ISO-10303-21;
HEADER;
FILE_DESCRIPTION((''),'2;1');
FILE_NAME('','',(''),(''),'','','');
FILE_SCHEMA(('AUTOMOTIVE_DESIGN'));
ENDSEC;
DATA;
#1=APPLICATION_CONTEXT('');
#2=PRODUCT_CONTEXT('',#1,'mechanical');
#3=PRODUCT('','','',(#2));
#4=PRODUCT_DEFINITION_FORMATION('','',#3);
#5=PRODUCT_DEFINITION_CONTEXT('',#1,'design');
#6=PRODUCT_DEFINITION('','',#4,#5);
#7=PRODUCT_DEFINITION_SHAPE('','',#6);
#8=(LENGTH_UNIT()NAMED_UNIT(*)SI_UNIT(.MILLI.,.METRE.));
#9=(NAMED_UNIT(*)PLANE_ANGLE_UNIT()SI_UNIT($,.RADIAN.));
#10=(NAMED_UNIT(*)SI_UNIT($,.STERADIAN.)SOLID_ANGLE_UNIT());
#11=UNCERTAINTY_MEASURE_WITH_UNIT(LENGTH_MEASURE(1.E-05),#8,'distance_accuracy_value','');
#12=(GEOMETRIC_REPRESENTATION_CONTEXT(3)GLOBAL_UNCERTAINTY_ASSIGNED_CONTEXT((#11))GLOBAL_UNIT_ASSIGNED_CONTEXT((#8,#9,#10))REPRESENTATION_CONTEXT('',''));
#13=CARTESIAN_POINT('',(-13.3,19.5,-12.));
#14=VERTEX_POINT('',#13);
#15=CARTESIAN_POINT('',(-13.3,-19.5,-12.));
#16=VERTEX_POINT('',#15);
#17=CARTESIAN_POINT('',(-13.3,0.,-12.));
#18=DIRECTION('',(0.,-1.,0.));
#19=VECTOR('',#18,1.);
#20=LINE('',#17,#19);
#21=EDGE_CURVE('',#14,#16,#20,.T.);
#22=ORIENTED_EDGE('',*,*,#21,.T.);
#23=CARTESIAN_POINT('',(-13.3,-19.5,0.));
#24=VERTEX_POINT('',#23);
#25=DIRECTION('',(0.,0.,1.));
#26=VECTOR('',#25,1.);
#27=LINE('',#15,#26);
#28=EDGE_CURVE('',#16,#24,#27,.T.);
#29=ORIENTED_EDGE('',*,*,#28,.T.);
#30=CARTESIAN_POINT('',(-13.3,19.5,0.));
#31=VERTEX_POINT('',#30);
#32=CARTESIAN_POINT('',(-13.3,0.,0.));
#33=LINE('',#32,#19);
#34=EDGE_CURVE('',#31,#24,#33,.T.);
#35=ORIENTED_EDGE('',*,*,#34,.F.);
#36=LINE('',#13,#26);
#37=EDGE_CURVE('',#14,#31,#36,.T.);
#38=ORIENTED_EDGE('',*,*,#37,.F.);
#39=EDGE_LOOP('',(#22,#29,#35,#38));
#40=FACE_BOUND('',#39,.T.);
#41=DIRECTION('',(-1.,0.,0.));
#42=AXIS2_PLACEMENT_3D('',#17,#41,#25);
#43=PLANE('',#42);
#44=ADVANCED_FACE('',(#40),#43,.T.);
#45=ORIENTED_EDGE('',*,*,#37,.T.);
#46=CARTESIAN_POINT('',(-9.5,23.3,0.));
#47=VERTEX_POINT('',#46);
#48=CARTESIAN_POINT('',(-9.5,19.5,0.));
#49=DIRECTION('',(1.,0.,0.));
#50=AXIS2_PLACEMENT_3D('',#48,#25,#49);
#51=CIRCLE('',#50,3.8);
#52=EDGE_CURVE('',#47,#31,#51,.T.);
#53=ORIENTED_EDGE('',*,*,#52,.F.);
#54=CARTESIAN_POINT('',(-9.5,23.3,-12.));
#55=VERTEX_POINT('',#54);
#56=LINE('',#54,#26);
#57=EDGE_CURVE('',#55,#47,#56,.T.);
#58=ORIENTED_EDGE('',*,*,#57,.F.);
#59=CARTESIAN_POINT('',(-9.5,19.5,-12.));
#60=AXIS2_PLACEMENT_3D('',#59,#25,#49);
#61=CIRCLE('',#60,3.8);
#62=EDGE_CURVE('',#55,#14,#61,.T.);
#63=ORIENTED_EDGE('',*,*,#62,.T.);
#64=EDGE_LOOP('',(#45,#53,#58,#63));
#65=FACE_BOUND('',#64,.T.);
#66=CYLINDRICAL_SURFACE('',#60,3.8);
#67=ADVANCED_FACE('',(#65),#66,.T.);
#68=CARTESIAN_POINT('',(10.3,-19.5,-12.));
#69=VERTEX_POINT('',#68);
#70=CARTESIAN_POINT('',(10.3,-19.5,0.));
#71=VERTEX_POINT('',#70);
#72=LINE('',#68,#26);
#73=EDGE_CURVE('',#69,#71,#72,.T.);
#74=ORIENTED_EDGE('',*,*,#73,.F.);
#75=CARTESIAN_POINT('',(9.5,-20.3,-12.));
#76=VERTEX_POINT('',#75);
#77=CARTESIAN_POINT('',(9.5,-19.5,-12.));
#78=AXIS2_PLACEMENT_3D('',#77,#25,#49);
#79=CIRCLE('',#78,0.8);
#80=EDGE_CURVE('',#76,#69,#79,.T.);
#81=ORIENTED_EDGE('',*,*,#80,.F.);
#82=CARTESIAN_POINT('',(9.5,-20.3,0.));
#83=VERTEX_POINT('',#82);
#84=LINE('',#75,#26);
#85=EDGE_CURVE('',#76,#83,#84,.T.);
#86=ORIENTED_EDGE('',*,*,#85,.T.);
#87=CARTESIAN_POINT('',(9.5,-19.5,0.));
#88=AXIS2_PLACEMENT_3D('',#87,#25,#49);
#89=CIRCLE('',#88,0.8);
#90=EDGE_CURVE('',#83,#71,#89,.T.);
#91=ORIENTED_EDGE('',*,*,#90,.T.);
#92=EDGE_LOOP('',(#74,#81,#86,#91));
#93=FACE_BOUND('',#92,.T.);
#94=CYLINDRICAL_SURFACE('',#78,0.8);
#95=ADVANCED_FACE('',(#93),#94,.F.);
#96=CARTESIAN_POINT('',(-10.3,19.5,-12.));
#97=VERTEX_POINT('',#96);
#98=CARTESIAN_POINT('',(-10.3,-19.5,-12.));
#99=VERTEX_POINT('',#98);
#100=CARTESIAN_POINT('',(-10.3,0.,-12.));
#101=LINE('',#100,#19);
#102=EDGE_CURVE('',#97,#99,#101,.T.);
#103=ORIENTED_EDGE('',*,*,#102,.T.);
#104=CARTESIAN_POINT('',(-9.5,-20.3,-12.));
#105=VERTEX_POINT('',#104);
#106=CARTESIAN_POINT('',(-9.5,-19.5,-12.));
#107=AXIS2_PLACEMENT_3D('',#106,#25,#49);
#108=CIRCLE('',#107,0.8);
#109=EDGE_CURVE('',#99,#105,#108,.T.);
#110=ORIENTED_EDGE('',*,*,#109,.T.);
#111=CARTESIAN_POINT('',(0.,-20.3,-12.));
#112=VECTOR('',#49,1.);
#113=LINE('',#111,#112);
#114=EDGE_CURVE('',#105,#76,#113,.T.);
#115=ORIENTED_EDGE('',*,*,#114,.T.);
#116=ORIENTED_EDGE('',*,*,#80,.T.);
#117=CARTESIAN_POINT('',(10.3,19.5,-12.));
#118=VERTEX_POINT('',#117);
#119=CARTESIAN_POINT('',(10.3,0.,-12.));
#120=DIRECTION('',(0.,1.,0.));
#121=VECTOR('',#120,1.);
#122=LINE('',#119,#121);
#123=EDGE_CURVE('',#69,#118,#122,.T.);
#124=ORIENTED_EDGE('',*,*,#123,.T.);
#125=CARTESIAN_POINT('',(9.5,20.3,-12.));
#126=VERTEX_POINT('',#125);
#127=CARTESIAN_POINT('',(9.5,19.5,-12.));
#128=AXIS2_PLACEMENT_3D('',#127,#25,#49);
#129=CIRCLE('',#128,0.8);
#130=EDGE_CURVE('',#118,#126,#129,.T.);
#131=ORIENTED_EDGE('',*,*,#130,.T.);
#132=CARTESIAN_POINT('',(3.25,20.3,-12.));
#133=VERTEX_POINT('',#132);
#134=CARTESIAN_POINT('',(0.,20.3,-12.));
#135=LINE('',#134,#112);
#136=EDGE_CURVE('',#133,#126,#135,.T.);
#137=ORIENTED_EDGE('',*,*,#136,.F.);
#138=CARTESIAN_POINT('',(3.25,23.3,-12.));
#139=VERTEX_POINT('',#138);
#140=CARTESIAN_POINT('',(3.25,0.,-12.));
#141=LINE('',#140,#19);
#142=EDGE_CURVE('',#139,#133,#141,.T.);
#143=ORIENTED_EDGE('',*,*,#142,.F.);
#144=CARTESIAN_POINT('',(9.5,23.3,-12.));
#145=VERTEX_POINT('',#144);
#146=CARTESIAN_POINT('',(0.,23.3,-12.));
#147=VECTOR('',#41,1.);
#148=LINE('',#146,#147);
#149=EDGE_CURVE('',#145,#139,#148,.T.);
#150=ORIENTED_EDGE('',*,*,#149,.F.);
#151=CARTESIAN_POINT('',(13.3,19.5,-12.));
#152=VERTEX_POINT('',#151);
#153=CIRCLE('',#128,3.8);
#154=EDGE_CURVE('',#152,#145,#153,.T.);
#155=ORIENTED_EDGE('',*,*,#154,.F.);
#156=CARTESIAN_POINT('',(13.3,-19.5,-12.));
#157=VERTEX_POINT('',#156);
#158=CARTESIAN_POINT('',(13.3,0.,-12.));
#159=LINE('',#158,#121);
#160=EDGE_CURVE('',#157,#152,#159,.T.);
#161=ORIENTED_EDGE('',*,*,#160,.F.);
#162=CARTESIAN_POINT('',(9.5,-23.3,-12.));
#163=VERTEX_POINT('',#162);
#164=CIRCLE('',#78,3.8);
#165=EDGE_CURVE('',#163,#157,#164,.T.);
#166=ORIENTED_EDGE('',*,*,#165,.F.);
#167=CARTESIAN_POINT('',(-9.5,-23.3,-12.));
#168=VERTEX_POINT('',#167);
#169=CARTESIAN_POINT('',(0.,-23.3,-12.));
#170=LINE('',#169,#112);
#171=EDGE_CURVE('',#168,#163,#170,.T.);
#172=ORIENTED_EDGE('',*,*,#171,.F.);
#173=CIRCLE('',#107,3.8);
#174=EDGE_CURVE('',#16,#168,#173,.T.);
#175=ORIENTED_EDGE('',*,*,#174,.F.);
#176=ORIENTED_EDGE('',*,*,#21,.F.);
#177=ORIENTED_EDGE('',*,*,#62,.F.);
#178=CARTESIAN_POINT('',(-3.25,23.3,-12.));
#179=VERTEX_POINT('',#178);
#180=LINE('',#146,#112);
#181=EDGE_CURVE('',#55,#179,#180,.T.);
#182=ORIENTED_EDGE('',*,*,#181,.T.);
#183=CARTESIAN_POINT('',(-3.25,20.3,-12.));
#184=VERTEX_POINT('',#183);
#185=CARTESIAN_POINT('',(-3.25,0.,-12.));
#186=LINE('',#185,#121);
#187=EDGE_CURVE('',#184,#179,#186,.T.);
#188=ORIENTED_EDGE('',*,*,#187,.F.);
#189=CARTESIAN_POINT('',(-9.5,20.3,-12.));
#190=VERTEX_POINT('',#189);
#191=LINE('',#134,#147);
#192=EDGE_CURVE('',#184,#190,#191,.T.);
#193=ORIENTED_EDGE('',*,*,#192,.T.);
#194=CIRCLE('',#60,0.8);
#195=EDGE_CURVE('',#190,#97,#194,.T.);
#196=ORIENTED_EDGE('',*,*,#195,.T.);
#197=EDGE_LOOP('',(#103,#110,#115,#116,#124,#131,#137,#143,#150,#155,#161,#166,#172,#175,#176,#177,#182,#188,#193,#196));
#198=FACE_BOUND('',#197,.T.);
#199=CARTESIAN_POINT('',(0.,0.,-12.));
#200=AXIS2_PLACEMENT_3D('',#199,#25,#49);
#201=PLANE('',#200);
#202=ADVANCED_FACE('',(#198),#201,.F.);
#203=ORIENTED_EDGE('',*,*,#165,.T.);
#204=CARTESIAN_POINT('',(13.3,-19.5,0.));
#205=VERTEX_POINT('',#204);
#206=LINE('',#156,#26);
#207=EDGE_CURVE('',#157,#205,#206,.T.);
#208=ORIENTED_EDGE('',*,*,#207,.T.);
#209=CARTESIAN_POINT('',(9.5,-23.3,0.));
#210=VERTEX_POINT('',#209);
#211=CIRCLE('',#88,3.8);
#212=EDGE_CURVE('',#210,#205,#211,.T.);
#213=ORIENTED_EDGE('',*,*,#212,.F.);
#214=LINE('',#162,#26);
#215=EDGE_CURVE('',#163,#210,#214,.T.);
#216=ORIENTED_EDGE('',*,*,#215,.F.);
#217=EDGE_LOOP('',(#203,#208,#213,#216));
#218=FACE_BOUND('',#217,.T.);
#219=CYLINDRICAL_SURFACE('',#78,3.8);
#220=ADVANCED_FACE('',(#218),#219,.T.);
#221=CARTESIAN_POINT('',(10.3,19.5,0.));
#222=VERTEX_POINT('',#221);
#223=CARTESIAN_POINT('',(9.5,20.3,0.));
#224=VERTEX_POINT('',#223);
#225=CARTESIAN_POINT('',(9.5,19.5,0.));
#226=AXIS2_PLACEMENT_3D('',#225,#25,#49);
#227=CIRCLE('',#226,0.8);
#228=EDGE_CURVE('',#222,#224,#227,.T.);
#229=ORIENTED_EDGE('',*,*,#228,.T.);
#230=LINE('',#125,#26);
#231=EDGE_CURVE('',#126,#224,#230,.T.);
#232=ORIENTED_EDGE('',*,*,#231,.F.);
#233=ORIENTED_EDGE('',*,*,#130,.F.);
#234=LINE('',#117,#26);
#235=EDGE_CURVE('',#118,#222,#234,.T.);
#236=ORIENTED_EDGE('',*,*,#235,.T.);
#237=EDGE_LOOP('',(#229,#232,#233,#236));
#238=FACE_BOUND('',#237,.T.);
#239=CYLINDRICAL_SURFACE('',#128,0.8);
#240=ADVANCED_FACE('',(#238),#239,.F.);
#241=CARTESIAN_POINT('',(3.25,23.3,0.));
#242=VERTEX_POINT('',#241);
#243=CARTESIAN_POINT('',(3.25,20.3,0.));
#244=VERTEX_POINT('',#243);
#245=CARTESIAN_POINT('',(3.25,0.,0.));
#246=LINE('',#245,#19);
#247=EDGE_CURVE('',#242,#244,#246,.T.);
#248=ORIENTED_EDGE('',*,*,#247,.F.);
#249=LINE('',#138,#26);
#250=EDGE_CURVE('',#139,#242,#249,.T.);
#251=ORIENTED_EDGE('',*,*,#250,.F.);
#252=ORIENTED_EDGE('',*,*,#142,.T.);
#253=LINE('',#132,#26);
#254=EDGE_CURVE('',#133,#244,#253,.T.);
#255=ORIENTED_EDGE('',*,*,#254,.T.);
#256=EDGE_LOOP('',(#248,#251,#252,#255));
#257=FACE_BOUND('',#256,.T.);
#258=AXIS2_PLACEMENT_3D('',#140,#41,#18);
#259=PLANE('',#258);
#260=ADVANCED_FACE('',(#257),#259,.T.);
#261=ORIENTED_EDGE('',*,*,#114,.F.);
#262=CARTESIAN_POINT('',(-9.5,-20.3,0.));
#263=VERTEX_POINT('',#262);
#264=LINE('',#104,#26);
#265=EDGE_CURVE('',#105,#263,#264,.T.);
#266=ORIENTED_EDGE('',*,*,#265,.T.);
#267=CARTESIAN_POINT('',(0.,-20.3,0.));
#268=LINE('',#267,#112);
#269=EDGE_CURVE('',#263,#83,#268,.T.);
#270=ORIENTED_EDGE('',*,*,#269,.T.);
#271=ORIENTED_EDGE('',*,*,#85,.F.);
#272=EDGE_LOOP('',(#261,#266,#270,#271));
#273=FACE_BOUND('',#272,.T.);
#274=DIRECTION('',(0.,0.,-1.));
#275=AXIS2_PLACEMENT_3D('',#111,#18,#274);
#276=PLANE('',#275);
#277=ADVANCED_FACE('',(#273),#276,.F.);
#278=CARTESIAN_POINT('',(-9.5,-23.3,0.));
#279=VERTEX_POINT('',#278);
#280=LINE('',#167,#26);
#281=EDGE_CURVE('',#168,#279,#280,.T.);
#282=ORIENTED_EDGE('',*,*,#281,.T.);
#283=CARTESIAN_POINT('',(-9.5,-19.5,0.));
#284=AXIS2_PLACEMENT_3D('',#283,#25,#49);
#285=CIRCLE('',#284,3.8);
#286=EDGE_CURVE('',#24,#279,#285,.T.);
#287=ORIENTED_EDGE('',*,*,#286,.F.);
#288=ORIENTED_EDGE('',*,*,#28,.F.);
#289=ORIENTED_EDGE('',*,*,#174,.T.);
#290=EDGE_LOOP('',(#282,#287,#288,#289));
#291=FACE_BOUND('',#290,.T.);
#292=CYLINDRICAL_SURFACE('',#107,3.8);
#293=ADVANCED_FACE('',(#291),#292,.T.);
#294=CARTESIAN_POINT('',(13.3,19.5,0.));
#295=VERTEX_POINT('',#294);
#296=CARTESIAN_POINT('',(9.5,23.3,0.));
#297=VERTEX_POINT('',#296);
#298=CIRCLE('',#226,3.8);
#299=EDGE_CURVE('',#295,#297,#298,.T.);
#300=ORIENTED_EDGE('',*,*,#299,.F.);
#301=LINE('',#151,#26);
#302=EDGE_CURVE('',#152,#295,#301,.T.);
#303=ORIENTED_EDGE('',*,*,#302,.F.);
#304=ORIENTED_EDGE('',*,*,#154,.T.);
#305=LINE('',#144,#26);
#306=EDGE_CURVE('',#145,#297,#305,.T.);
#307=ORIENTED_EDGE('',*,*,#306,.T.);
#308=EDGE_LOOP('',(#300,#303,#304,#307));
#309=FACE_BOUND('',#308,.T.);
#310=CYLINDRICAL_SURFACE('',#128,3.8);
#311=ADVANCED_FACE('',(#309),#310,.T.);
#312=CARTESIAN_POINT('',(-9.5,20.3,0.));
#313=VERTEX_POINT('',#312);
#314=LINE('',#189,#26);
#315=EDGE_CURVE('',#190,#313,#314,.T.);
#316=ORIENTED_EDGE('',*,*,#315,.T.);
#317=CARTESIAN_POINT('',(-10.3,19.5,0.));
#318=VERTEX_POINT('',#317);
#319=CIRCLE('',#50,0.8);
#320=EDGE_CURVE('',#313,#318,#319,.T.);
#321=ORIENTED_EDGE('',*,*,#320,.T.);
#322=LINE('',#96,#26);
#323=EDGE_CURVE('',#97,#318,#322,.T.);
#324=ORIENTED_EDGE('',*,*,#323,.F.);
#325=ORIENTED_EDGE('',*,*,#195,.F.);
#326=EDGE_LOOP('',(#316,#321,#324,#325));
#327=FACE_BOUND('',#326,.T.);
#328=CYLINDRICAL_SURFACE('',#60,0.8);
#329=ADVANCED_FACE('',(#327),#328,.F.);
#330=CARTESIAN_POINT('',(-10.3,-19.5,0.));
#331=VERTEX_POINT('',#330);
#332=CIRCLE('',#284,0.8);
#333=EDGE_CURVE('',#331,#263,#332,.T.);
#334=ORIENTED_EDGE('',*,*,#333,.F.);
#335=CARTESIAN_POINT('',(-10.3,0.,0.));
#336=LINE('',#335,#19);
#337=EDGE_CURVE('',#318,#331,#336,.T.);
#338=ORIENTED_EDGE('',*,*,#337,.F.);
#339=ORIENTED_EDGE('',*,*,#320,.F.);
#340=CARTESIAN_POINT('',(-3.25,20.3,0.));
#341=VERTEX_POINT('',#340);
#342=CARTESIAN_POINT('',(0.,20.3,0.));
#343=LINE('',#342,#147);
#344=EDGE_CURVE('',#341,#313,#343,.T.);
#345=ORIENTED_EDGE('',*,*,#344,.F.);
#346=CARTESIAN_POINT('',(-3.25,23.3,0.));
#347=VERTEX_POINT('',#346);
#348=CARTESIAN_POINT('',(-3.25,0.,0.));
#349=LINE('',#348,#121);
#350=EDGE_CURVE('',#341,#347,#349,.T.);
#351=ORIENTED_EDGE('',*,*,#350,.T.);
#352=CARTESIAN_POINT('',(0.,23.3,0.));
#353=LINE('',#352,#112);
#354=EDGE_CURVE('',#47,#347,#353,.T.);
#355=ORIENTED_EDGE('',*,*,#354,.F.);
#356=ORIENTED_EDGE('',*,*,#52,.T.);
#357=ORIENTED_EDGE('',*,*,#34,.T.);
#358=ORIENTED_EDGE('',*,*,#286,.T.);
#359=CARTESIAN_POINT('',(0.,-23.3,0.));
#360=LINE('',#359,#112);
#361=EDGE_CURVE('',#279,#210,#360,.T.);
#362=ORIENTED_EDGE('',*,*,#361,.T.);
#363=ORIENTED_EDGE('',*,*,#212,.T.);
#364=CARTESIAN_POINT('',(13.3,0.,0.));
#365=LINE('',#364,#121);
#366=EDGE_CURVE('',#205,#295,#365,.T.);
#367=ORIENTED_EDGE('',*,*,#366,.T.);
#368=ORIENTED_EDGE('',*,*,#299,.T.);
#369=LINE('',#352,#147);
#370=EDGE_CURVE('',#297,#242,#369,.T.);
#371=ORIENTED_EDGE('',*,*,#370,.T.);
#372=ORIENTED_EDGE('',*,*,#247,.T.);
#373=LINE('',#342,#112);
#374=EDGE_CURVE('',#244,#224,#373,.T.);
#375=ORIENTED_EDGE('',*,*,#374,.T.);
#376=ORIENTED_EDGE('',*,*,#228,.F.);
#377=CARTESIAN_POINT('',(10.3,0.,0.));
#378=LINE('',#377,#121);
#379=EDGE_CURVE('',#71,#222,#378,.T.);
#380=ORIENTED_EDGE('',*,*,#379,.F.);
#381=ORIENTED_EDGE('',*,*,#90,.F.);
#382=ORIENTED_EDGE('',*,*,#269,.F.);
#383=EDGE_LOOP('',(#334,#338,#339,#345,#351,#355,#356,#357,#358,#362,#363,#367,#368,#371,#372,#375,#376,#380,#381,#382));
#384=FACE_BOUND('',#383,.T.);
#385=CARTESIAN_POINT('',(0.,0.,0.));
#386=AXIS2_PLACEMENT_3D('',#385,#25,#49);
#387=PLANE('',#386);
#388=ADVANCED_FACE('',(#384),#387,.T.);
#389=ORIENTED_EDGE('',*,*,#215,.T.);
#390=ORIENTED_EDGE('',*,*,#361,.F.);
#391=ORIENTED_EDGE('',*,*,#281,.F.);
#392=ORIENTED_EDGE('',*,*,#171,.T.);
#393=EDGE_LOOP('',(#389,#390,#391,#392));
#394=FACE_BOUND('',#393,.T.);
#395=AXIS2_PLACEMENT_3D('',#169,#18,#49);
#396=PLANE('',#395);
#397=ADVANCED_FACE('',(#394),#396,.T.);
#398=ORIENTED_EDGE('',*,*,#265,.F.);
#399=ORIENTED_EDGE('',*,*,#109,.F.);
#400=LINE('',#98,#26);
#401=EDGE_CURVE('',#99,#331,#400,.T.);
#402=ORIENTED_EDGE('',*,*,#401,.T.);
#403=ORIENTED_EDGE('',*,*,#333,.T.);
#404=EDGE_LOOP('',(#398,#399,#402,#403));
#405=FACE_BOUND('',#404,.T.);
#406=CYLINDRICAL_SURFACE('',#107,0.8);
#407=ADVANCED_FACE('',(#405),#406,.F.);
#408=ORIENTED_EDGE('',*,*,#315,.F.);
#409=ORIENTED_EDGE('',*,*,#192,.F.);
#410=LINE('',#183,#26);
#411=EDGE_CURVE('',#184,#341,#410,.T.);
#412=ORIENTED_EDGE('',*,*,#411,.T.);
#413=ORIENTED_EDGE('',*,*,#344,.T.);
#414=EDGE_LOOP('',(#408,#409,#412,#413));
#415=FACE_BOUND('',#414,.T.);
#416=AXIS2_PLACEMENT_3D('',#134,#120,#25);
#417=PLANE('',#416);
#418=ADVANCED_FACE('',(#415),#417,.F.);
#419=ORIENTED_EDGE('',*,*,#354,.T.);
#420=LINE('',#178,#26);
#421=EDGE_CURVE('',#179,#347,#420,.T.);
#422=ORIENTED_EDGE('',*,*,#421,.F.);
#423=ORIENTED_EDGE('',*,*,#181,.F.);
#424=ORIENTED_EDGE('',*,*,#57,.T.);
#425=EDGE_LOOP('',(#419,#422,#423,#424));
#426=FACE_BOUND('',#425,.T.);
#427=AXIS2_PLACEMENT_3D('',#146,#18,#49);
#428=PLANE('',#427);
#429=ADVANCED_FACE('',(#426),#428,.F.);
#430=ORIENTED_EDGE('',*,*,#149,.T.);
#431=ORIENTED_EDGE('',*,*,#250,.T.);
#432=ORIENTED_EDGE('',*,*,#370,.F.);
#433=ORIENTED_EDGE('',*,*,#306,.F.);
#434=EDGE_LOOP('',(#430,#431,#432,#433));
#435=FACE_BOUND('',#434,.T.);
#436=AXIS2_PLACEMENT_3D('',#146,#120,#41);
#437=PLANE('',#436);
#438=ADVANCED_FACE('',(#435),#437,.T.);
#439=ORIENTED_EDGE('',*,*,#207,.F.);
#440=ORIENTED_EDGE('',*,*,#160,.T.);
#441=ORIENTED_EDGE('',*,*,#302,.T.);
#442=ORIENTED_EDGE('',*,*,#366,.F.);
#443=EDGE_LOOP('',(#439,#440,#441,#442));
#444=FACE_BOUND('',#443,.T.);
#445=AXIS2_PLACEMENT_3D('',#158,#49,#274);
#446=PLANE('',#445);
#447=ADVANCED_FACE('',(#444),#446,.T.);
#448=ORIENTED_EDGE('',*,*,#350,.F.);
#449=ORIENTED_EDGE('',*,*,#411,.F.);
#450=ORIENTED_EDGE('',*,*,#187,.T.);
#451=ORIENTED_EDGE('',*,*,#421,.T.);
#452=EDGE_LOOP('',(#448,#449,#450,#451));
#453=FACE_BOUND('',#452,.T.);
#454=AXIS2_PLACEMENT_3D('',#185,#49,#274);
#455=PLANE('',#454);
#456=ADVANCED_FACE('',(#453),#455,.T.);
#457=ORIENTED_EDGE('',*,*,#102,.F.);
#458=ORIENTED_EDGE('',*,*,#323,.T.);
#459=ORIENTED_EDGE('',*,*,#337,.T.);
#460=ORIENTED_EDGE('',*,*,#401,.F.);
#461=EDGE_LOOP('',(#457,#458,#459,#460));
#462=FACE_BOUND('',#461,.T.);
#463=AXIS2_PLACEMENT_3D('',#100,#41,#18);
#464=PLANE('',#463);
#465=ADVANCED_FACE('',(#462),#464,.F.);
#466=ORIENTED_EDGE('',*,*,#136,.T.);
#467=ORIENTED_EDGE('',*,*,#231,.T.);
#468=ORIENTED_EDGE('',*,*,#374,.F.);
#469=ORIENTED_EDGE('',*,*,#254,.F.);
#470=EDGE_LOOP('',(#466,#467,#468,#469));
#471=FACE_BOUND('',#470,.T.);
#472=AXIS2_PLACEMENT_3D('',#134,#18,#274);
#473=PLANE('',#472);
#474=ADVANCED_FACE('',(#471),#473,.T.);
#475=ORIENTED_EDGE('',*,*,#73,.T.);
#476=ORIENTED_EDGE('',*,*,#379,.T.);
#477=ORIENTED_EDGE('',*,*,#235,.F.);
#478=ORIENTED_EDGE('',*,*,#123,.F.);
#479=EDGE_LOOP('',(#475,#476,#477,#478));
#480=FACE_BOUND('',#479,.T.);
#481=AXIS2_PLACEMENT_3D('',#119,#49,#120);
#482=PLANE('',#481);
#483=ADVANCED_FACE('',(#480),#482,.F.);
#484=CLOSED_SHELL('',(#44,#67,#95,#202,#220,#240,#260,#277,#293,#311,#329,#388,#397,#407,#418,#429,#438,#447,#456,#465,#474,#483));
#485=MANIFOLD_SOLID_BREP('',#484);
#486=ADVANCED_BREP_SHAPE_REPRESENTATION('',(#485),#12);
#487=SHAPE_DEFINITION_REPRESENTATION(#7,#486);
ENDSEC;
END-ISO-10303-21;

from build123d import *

# Parameters (mm, degrees)
BOSS_EXTRUDE1_DEPTH = 12


with BuildPart() as part:
    # Sketch1 → Boss-Extrude1 (new body)
    with BuildSketch(Plane.XY):
        with BuildLine():
            Line((-4.455735931, 20.3), (-3.25, 20.3))
            Line((-3.25, 20.3), (-3.25, 23.3))
            Line((-3.25, 23.3), (-4.455735931, 23.3))
            Line((-4.455735931, 23.3), (-9.5, 23.3))
            ThreePointArc((-9.5, 23.3), (-12.187005769, 22.187005769), (-13.3, 19.5))
            Line((-13.3, 19.5), (-13.3, 14.455735931))
            Line((-13.3, 14.455735931), (-13.3, 5.544264069))
            Line((-13.3, 5.544264069), (-13.3, -5.544264069))
            Line((-13.3, -5.544264069), (-13.3, -14.455735931))
            Line((-13.3, -14.455735931), (-13.3, -19.5))
            ThreePointArc((-13.3, -19.5), (-12.187005769, -22.187005769), (-9.5, -23.3))
            Line((-9.5, -23.3), (-4.455735931, -23.3))
            Line((-4.455735931, -23.3), (4.455735931, -23.3))
            Line((4.455735931, -23.3), (9.5, -23.3))
            ThreePointArc((9.5, -23.3), (12.187005769, -22.187005769), (13.3, -19.5))
            Line((13.3, -19.5), (13.3, -14.455735931))
            Line((13.3, -14.455735931), (13.3, -5.544264069))
            Line((13.3, -5.544264069), (13.3, 5.544264069))
            Line((13.3, 5.544264069), (13.3, 14.455735931))
            Line((13.3, 14.455735931), (13.3, 19.5))
            ThreePointArc((13.3, 19.5), (12.187005769, 22.187005769), (9.5, 23.3))
            Line((9.5, 23.3), (4.455735931, 23.3))
            Line((4.455735931, 23.3), (3.25, 23.3))
            Line((3.25, 23.3), (3.25, 20.3))
            Line((3.25, 20.3), (4.455735931, 20.3))
            Line((4.455735931, 20.3), (9.5, 20.3))
            ThreePointArc((9.5, 20.3), (10.065685425, 20.065685425), (10.3, 19.5))
            Line((10.3, 19.5), (10.3, 14.455735931))
            Line((10.3, 14.455735931), (10.3, 5.544264069))
            Line((10.3, 5.544264069), (10.3, -5.544264069))
            Line((10.3, -5.544264069), (10.3, -14.455735931))
            Line((10.3, -14.455735931), (10.3, -19.5))
            ThreePointArc((10.3, -19.5), (10.065685425, -20.065685425), (9.5, -20.3))
            Line((9.5, -20.3), (4.455735931, -20.3))
            Line((4.455735931, -20.3), (-4.455735931, -20.3))
            Line((-4.455735931, -20.3), (-9.5, -20.3))
            ThreePointArc((-9.5, -20.3), (-10.065685425, -20.065685425), (-10.3, -19.5))
            Line((-10.3, -19.5), (-10.3, -14.455735931))
            Line((-10.3, -14.455735931), (-10.3, -5.544264069))
            Line((-10.3, -5.544264069), (-10.3, 5.544264069))
            Line((-10.3, 5.544264069), (-10.3, 14.455735931))
            Line((-10.3, 14.455735931), (-10.3, 19.5))
            ThreePointArc((-10.3, 19.5), (-10.065685425, 20.065685425), (-9.5, 20.3))
            Line((-9.5, 20.3), (-4.455735931, 20.3))
        make_face()
    extrude(amount=-BOSS_EXTRUDE1_DEPTH)


solid = part.part
